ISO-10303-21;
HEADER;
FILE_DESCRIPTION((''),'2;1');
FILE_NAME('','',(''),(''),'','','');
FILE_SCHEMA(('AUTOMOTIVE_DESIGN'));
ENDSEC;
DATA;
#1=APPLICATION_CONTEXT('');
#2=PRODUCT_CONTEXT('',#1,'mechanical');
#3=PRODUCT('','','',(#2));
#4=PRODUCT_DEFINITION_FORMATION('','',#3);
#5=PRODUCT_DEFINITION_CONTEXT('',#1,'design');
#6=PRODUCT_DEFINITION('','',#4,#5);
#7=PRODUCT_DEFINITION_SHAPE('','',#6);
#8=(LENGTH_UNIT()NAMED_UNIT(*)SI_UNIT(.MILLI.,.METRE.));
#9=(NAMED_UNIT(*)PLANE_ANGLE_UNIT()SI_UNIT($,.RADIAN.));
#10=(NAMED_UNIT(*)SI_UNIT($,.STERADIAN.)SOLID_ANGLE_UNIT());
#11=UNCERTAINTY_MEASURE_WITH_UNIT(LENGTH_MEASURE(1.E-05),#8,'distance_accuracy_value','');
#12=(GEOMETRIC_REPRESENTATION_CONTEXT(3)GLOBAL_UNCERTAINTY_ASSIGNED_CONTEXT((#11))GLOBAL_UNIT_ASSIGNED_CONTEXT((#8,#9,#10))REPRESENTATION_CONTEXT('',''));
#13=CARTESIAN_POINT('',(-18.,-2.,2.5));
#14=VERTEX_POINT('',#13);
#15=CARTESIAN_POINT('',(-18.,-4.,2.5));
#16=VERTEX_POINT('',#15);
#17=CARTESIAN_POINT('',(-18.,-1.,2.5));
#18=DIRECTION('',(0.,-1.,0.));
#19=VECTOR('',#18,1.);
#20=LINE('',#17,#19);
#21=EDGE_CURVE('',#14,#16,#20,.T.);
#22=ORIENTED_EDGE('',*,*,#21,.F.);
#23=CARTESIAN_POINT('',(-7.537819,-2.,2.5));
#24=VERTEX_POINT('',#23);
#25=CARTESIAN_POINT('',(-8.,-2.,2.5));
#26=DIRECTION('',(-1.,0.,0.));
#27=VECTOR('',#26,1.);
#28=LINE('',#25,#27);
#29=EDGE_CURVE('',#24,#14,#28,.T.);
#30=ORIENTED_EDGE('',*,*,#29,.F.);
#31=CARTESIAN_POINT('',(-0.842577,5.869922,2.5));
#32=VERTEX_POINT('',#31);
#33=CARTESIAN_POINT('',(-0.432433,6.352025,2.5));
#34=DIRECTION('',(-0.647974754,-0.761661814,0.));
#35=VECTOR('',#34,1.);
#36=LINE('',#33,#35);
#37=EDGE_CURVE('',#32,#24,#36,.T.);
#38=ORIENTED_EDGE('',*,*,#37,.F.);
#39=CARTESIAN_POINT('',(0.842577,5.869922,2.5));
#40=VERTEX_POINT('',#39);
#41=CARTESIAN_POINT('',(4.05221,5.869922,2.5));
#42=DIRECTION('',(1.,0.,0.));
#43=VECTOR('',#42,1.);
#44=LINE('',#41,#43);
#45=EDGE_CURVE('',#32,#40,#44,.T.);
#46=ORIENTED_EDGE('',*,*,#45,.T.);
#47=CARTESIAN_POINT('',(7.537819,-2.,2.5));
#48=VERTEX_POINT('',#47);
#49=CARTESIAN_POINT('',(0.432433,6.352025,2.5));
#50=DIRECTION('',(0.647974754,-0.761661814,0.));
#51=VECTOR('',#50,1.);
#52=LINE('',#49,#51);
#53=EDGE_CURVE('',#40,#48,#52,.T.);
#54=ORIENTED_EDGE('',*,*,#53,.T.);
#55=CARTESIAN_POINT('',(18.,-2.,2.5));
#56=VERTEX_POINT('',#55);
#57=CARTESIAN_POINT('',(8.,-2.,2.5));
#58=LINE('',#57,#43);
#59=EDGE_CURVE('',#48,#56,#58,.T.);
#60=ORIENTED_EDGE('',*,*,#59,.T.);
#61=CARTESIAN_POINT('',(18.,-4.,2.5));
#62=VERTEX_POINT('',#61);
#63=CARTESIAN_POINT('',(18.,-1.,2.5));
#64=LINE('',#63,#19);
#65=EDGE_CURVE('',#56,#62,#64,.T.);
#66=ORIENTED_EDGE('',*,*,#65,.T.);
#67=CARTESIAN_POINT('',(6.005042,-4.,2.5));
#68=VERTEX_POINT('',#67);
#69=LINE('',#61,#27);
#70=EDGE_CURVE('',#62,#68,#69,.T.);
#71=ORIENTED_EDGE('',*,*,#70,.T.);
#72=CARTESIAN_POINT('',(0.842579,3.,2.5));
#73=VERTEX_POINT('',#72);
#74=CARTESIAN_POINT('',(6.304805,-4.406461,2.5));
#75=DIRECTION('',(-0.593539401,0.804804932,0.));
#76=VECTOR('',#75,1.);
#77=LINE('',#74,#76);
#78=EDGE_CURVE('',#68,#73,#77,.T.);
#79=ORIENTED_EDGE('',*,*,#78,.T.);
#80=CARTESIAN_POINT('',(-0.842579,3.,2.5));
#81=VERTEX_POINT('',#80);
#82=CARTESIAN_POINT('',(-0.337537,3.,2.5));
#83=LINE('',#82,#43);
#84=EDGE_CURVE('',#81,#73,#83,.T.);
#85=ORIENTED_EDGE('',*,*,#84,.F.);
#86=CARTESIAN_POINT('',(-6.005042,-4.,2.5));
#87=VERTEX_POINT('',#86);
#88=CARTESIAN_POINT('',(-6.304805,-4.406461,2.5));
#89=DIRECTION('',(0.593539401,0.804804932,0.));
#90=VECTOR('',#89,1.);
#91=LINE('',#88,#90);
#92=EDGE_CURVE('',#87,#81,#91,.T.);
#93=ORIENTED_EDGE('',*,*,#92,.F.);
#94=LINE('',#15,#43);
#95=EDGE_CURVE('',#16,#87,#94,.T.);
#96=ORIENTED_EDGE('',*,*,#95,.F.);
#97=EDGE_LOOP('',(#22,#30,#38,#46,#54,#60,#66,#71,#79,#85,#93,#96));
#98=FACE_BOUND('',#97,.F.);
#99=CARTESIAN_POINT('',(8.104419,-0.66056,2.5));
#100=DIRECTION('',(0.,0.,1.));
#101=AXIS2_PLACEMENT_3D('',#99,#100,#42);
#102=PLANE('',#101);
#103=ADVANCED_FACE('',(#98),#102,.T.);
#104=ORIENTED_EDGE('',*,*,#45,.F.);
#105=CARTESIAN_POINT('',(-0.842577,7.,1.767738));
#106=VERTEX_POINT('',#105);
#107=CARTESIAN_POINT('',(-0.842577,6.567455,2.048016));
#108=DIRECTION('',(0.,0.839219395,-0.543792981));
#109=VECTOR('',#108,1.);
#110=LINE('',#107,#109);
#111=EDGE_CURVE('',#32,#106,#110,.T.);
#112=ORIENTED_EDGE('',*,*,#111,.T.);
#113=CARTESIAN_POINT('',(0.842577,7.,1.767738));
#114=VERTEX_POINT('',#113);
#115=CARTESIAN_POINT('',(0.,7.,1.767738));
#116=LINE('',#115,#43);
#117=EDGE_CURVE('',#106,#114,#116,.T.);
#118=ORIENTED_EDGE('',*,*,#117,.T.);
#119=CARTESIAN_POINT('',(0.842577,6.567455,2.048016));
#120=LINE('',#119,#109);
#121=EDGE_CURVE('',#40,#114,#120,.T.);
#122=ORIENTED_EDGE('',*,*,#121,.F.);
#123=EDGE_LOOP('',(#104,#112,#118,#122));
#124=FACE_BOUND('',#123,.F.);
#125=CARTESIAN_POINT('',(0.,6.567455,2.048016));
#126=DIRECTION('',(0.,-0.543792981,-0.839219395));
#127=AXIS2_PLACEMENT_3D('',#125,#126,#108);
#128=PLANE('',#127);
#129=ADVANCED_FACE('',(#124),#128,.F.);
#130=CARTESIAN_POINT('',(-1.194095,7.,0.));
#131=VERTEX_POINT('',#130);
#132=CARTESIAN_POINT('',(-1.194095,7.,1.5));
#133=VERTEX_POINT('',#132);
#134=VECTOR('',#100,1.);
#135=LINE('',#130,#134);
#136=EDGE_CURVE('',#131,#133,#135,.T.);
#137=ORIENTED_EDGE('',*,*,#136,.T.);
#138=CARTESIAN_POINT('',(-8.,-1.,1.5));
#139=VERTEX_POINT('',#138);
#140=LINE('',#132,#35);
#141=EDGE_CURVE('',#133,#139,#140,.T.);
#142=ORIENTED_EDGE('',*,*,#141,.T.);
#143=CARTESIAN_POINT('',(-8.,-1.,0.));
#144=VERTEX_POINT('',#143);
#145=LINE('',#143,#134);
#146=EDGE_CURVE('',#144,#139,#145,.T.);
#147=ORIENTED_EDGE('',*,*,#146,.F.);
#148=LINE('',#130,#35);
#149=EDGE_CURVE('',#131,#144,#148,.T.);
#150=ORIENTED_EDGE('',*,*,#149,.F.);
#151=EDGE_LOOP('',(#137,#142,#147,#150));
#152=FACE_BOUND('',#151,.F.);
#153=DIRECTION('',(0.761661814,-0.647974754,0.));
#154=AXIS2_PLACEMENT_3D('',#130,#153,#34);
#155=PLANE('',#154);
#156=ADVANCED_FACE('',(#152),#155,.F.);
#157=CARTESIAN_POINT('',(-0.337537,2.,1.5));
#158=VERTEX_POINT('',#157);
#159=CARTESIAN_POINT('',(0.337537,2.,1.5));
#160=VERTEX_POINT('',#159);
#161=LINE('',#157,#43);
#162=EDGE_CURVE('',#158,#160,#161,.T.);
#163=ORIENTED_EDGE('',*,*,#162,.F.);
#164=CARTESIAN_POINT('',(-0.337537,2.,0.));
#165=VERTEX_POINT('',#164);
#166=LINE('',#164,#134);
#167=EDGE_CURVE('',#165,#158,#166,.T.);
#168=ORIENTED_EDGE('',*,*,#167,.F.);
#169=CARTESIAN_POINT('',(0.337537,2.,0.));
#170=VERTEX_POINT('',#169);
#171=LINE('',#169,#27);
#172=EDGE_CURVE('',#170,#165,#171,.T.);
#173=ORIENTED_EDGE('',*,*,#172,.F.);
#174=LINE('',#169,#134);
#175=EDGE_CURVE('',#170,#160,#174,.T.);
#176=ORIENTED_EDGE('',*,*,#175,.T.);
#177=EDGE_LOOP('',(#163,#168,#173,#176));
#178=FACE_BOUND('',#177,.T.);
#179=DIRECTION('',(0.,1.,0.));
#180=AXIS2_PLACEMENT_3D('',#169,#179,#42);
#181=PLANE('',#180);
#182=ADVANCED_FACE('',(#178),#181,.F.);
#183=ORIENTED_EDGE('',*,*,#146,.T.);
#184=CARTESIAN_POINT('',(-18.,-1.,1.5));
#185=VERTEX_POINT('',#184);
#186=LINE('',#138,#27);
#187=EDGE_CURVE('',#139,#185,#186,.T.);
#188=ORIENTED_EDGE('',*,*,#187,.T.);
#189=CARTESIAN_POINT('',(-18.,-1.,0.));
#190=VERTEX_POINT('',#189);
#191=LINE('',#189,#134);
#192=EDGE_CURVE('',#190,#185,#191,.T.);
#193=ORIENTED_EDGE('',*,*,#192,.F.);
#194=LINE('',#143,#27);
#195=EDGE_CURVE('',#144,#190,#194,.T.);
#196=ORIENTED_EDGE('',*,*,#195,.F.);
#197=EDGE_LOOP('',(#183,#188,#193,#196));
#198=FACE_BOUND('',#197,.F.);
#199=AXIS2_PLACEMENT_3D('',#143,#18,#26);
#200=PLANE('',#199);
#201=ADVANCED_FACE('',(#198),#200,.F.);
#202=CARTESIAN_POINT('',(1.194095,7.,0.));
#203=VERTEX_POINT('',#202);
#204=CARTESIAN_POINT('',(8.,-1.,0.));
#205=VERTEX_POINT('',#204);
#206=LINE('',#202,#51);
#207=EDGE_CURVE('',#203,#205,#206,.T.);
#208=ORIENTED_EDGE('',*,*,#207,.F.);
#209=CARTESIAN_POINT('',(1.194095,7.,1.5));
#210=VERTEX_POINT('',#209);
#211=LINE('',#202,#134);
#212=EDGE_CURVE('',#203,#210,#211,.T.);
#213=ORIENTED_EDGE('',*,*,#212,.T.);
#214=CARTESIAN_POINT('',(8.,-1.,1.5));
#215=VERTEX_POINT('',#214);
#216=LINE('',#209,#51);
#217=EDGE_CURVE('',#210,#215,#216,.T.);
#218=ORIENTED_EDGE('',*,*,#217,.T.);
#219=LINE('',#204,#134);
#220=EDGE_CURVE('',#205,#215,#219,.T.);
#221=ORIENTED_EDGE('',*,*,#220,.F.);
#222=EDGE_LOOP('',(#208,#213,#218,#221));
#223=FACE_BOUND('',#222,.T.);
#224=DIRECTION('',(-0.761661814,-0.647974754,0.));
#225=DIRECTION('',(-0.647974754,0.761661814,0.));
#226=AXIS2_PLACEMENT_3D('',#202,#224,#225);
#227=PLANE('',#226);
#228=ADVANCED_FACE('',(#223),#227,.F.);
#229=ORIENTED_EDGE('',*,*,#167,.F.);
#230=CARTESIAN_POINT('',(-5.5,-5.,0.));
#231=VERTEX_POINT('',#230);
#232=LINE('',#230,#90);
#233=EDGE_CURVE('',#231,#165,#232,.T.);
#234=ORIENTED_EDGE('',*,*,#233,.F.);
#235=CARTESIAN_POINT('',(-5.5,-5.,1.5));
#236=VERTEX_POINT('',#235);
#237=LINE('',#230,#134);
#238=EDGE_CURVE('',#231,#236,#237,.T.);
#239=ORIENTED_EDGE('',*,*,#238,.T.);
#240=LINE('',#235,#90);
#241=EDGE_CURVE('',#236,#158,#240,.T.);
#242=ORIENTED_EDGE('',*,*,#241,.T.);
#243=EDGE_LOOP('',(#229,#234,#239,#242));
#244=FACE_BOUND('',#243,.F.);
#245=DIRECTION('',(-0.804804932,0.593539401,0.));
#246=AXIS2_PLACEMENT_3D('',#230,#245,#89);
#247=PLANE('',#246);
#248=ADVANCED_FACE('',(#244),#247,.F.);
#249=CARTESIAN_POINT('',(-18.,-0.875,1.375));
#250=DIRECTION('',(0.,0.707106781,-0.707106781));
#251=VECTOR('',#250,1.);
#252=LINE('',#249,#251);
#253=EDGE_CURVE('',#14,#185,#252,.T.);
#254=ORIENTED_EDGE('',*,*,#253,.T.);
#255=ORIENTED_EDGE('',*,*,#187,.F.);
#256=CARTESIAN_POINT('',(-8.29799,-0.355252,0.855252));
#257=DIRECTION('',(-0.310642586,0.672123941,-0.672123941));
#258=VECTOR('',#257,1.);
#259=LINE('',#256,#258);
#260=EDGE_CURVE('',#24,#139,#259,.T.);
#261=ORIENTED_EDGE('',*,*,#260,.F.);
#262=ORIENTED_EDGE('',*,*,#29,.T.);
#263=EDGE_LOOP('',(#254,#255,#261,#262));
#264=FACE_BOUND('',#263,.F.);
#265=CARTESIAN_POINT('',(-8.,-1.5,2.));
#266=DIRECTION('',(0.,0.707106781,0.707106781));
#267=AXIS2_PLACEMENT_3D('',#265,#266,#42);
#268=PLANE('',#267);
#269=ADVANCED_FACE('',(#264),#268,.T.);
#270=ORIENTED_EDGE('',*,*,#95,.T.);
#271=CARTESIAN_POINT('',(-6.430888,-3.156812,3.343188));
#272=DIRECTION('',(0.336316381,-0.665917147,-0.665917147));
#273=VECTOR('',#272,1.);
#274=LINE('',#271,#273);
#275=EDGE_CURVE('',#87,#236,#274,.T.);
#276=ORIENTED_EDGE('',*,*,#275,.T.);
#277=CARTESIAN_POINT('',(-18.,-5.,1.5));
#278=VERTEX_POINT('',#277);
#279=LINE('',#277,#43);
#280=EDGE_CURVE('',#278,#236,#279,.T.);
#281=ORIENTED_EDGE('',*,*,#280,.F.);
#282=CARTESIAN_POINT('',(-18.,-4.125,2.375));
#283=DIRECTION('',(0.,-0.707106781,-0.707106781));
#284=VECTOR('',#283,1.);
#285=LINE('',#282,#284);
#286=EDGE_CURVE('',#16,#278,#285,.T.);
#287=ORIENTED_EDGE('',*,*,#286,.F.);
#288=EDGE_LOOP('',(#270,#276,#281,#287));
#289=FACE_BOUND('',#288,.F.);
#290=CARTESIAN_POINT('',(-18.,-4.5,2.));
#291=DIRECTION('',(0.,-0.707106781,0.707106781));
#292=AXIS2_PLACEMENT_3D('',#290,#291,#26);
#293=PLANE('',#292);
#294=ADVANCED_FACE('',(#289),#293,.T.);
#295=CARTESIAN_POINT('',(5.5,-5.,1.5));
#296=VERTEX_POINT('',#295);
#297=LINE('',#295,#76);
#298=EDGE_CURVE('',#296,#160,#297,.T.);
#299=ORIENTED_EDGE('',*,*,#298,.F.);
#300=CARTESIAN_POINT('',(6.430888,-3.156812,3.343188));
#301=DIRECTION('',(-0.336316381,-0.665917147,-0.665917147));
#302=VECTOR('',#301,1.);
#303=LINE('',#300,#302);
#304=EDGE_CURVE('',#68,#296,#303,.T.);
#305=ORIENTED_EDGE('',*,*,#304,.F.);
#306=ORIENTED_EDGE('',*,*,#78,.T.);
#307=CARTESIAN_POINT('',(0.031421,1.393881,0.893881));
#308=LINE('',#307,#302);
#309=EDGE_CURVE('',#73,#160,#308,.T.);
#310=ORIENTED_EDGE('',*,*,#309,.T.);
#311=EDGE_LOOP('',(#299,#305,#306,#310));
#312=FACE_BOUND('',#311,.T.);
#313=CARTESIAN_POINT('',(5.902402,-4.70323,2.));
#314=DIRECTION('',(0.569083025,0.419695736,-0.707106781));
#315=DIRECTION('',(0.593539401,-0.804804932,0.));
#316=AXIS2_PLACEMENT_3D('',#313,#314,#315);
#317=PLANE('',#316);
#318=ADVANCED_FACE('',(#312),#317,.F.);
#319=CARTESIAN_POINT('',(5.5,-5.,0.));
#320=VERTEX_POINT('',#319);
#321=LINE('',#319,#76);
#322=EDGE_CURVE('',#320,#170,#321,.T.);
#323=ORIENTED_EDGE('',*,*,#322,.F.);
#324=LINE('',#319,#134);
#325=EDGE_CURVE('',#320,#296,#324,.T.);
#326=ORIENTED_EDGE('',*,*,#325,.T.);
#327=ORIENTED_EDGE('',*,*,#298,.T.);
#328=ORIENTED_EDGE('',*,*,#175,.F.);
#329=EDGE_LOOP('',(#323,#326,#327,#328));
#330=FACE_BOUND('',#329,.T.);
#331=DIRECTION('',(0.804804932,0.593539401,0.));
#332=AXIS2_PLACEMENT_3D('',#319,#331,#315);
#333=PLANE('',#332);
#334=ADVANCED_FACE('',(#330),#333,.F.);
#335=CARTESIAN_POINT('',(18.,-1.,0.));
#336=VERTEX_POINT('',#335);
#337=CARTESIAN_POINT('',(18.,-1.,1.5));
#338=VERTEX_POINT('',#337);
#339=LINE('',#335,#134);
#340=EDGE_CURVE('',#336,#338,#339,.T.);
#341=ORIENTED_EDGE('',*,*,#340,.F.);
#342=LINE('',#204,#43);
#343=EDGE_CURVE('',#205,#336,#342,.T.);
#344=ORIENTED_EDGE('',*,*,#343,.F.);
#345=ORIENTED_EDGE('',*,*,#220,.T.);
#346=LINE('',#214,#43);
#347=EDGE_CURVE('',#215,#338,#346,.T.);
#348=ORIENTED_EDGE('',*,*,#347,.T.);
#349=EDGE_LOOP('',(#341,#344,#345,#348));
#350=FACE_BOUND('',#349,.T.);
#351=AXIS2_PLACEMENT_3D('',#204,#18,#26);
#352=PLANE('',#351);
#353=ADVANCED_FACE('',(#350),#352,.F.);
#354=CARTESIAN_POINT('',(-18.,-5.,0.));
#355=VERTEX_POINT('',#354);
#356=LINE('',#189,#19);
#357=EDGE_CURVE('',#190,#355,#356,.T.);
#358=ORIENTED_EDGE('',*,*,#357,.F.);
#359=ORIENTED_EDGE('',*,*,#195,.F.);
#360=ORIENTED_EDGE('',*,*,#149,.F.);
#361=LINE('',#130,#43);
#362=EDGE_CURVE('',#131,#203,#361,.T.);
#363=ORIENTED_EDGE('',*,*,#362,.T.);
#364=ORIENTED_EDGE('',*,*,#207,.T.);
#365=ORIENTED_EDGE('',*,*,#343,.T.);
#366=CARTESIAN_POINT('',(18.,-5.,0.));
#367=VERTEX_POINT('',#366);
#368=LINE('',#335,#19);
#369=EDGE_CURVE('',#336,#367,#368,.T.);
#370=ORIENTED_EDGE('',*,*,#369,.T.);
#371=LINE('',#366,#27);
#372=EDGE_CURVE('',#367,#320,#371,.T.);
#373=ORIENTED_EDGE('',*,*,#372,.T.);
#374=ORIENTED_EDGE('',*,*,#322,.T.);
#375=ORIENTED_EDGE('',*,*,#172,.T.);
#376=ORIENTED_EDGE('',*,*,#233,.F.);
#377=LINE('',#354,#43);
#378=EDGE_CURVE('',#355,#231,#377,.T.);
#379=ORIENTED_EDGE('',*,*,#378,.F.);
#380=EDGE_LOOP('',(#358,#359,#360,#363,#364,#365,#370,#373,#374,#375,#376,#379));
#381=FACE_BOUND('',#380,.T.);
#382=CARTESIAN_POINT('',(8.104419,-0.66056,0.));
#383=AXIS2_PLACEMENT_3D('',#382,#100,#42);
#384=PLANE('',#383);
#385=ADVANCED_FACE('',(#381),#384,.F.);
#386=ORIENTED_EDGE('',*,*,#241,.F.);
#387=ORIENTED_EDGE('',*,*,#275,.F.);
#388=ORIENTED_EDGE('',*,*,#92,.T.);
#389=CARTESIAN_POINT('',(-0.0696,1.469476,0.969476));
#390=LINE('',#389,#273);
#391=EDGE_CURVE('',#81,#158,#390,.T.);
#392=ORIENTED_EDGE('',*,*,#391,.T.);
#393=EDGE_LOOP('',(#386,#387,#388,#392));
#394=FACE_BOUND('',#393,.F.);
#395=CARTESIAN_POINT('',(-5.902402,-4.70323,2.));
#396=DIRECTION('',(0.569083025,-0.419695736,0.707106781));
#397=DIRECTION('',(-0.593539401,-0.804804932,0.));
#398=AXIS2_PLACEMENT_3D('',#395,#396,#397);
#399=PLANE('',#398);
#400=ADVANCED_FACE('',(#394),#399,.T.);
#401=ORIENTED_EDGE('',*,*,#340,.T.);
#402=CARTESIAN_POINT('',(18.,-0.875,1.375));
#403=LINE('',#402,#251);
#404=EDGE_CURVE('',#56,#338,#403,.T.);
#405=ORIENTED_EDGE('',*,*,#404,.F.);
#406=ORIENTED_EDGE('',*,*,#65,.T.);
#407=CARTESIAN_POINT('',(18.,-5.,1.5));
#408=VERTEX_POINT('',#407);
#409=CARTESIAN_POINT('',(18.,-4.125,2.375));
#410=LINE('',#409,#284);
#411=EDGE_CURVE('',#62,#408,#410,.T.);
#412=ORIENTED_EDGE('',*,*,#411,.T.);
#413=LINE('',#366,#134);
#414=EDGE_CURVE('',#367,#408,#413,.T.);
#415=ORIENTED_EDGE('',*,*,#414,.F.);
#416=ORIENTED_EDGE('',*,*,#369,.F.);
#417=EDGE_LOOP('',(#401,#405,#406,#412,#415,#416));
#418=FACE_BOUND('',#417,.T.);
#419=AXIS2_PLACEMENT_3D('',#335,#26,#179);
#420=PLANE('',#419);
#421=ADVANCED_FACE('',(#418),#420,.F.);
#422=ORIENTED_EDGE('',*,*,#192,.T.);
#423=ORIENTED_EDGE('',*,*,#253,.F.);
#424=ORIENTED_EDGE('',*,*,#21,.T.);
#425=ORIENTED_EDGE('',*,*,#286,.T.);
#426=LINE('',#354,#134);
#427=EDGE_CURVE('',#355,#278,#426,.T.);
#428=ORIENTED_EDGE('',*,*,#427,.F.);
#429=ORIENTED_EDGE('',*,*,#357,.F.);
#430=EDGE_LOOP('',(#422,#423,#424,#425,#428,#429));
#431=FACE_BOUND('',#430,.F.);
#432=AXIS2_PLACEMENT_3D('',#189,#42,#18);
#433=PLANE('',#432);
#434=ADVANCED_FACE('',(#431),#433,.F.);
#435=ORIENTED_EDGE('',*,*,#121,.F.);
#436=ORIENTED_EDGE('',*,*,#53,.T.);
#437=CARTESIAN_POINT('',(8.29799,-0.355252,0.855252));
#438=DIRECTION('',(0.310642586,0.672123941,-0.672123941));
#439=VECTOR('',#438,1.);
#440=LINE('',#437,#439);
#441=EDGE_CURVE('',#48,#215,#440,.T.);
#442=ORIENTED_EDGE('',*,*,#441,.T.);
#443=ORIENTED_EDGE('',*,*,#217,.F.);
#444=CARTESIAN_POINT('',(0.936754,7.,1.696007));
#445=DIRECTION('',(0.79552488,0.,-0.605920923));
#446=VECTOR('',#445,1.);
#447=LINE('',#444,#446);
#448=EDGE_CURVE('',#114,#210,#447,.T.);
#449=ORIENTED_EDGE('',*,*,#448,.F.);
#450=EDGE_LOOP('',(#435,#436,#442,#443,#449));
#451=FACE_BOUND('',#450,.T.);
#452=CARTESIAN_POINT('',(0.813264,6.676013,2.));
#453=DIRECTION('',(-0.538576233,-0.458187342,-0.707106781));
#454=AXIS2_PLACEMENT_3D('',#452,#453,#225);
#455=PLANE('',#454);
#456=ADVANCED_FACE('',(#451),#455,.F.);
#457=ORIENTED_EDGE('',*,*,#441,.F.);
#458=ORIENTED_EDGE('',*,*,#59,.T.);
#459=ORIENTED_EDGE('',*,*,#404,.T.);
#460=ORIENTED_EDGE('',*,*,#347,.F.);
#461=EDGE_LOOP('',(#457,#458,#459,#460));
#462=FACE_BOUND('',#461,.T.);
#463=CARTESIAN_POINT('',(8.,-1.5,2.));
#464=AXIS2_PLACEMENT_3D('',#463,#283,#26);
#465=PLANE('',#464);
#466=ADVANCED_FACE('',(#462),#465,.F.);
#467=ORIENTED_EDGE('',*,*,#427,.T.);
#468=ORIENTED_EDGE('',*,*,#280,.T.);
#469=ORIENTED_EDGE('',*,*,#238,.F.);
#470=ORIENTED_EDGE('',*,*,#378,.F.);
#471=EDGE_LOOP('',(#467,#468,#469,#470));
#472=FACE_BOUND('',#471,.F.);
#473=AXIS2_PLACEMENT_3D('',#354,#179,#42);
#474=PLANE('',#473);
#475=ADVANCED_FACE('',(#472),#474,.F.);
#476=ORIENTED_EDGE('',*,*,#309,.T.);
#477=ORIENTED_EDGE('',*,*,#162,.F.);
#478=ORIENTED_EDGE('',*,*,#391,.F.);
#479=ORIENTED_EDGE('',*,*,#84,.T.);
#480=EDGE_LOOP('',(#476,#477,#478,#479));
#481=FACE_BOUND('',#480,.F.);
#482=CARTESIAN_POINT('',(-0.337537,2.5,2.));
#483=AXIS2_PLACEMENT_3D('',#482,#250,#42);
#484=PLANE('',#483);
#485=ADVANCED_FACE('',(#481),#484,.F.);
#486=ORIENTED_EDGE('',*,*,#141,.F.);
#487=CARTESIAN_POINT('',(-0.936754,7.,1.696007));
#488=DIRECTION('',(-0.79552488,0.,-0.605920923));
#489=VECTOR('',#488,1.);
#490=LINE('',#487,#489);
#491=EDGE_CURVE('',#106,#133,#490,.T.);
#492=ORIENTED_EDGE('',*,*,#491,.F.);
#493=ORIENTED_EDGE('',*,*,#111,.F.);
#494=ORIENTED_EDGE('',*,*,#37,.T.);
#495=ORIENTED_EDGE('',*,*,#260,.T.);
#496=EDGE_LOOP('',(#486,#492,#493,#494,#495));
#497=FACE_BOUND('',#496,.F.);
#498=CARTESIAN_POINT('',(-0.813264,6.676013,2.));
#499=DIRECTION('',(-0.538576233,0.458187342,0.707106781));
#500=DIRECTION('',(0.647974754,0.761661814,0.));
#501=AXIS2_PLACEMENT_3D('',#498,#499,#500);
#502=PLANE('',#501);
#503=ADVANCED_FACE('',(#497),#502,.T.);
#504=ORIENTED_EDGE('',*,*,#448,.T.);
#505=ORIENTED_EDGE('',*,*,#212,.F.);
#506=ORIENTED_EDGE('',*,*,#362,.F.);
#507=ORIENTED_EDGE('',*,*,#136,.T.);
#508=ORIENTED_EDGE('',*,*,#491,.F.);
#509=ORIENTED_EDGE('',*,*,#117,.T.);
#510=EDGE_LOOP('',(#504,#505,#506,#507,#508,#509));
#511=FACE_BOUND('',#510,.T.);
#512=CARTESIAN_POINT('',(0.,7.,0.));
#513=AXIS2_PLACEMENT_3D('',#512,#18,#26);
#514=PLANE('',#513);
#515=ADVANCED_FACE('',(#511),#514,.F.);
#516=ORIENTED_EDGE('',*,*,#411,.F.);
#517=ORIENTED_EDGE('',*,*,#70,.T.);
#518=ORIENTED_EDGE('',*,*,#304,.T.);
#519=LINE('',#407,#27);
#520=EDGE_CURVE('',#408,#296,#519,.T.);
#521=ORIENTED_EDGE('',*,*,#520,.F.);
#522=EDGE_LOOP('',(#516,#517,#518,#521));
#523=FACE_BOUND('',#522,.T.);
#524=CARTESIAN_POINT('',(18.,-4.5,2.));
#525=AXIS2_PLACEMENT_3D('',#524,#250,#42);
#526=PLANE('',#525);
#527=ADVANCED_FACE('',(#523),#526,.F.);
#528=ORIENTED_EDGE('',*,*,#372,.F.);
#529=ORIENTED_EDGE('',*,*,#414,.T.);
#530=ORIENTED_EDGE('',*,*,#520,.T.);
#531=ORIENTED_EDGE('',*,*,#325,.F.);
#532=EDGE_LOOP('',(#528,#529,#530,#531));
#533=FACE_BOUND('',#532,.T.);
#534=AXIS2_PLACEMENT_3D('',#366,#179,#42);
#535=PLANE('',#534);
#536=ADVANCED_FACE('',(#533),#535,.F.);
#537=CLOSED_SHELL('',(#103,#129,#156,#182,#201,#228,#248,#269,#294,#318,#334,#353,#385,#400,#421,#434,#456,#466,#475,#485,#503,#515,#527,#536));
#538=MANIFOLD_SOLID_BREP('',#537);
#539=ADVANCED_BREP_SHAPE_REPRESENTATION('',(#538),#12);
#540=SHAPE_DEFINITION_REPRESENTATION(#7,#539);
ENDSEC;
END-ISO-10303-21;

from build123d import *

# Parameters (mm, degrees)
F2_DEPTH = 2.5
F4_SIZE  = 1
F5_SIZE  = 1


with BuildPart() as f2:
    # F1 (on face) → F2 (new body)
    with BuildSketch(Plane.XY):
        Polygon((-8, -1), (-18, -1), (-18, -5), (-5.5, -5), (-0.3375368448, 2), (0, 2), (0, 7), (-1.1940948898, 7), align=None)
    extrude(amount=F2_DEPTH)

    # F3: F2 across plane


with BuildPart() as f2_1:
    add(f2.part)
    add(f2.part.mirror(Plane.YZ))

    # F4 (call 1 of 3: OpenCascade refuses the feature's edges together)
    f4_edges = [f2_1.edges().sort_by_distance(p)[0] for p in [
        (-11.75, -5, 2.5),
        (-2.918768, -1.5, 2.5),
        (2.918768, -1.5, 2.5),
        (11.75, -5, 2.5),
        (0, 2, 2.5),
    ]]
    chamfer(f4_edges, length=F4_SIZE)

    # F4#2 (call 2 of 3)
    f4_2_edges = [f2_1.edges().sort_by_distance(p)[0] for p in [
        (-13, -1, 2.5),
        (-4.597047, 3, 2.5),
    ]]
    chamfer(f4_2_edges, length=F4_SIZE)

    # F4#3 (call 3 of 3)
    f4_3_edges = [f2_1.edges().sort_by_distance(p)[0] for p in [
        (4.597047, 3, 2.5),
        (13, -1, 2.5),
    ]]
    chamfer(f4_3_edges, length=F4_SIZE)

    # F5
    f5_edges = [f2_1.edges().sort_by_distance(p)[0] for p in [
        (0, 6.930164, 2.454748),
    ]]
    chamfer(f5_edges, length=F5_SIZE)


solid = f2_1.part
